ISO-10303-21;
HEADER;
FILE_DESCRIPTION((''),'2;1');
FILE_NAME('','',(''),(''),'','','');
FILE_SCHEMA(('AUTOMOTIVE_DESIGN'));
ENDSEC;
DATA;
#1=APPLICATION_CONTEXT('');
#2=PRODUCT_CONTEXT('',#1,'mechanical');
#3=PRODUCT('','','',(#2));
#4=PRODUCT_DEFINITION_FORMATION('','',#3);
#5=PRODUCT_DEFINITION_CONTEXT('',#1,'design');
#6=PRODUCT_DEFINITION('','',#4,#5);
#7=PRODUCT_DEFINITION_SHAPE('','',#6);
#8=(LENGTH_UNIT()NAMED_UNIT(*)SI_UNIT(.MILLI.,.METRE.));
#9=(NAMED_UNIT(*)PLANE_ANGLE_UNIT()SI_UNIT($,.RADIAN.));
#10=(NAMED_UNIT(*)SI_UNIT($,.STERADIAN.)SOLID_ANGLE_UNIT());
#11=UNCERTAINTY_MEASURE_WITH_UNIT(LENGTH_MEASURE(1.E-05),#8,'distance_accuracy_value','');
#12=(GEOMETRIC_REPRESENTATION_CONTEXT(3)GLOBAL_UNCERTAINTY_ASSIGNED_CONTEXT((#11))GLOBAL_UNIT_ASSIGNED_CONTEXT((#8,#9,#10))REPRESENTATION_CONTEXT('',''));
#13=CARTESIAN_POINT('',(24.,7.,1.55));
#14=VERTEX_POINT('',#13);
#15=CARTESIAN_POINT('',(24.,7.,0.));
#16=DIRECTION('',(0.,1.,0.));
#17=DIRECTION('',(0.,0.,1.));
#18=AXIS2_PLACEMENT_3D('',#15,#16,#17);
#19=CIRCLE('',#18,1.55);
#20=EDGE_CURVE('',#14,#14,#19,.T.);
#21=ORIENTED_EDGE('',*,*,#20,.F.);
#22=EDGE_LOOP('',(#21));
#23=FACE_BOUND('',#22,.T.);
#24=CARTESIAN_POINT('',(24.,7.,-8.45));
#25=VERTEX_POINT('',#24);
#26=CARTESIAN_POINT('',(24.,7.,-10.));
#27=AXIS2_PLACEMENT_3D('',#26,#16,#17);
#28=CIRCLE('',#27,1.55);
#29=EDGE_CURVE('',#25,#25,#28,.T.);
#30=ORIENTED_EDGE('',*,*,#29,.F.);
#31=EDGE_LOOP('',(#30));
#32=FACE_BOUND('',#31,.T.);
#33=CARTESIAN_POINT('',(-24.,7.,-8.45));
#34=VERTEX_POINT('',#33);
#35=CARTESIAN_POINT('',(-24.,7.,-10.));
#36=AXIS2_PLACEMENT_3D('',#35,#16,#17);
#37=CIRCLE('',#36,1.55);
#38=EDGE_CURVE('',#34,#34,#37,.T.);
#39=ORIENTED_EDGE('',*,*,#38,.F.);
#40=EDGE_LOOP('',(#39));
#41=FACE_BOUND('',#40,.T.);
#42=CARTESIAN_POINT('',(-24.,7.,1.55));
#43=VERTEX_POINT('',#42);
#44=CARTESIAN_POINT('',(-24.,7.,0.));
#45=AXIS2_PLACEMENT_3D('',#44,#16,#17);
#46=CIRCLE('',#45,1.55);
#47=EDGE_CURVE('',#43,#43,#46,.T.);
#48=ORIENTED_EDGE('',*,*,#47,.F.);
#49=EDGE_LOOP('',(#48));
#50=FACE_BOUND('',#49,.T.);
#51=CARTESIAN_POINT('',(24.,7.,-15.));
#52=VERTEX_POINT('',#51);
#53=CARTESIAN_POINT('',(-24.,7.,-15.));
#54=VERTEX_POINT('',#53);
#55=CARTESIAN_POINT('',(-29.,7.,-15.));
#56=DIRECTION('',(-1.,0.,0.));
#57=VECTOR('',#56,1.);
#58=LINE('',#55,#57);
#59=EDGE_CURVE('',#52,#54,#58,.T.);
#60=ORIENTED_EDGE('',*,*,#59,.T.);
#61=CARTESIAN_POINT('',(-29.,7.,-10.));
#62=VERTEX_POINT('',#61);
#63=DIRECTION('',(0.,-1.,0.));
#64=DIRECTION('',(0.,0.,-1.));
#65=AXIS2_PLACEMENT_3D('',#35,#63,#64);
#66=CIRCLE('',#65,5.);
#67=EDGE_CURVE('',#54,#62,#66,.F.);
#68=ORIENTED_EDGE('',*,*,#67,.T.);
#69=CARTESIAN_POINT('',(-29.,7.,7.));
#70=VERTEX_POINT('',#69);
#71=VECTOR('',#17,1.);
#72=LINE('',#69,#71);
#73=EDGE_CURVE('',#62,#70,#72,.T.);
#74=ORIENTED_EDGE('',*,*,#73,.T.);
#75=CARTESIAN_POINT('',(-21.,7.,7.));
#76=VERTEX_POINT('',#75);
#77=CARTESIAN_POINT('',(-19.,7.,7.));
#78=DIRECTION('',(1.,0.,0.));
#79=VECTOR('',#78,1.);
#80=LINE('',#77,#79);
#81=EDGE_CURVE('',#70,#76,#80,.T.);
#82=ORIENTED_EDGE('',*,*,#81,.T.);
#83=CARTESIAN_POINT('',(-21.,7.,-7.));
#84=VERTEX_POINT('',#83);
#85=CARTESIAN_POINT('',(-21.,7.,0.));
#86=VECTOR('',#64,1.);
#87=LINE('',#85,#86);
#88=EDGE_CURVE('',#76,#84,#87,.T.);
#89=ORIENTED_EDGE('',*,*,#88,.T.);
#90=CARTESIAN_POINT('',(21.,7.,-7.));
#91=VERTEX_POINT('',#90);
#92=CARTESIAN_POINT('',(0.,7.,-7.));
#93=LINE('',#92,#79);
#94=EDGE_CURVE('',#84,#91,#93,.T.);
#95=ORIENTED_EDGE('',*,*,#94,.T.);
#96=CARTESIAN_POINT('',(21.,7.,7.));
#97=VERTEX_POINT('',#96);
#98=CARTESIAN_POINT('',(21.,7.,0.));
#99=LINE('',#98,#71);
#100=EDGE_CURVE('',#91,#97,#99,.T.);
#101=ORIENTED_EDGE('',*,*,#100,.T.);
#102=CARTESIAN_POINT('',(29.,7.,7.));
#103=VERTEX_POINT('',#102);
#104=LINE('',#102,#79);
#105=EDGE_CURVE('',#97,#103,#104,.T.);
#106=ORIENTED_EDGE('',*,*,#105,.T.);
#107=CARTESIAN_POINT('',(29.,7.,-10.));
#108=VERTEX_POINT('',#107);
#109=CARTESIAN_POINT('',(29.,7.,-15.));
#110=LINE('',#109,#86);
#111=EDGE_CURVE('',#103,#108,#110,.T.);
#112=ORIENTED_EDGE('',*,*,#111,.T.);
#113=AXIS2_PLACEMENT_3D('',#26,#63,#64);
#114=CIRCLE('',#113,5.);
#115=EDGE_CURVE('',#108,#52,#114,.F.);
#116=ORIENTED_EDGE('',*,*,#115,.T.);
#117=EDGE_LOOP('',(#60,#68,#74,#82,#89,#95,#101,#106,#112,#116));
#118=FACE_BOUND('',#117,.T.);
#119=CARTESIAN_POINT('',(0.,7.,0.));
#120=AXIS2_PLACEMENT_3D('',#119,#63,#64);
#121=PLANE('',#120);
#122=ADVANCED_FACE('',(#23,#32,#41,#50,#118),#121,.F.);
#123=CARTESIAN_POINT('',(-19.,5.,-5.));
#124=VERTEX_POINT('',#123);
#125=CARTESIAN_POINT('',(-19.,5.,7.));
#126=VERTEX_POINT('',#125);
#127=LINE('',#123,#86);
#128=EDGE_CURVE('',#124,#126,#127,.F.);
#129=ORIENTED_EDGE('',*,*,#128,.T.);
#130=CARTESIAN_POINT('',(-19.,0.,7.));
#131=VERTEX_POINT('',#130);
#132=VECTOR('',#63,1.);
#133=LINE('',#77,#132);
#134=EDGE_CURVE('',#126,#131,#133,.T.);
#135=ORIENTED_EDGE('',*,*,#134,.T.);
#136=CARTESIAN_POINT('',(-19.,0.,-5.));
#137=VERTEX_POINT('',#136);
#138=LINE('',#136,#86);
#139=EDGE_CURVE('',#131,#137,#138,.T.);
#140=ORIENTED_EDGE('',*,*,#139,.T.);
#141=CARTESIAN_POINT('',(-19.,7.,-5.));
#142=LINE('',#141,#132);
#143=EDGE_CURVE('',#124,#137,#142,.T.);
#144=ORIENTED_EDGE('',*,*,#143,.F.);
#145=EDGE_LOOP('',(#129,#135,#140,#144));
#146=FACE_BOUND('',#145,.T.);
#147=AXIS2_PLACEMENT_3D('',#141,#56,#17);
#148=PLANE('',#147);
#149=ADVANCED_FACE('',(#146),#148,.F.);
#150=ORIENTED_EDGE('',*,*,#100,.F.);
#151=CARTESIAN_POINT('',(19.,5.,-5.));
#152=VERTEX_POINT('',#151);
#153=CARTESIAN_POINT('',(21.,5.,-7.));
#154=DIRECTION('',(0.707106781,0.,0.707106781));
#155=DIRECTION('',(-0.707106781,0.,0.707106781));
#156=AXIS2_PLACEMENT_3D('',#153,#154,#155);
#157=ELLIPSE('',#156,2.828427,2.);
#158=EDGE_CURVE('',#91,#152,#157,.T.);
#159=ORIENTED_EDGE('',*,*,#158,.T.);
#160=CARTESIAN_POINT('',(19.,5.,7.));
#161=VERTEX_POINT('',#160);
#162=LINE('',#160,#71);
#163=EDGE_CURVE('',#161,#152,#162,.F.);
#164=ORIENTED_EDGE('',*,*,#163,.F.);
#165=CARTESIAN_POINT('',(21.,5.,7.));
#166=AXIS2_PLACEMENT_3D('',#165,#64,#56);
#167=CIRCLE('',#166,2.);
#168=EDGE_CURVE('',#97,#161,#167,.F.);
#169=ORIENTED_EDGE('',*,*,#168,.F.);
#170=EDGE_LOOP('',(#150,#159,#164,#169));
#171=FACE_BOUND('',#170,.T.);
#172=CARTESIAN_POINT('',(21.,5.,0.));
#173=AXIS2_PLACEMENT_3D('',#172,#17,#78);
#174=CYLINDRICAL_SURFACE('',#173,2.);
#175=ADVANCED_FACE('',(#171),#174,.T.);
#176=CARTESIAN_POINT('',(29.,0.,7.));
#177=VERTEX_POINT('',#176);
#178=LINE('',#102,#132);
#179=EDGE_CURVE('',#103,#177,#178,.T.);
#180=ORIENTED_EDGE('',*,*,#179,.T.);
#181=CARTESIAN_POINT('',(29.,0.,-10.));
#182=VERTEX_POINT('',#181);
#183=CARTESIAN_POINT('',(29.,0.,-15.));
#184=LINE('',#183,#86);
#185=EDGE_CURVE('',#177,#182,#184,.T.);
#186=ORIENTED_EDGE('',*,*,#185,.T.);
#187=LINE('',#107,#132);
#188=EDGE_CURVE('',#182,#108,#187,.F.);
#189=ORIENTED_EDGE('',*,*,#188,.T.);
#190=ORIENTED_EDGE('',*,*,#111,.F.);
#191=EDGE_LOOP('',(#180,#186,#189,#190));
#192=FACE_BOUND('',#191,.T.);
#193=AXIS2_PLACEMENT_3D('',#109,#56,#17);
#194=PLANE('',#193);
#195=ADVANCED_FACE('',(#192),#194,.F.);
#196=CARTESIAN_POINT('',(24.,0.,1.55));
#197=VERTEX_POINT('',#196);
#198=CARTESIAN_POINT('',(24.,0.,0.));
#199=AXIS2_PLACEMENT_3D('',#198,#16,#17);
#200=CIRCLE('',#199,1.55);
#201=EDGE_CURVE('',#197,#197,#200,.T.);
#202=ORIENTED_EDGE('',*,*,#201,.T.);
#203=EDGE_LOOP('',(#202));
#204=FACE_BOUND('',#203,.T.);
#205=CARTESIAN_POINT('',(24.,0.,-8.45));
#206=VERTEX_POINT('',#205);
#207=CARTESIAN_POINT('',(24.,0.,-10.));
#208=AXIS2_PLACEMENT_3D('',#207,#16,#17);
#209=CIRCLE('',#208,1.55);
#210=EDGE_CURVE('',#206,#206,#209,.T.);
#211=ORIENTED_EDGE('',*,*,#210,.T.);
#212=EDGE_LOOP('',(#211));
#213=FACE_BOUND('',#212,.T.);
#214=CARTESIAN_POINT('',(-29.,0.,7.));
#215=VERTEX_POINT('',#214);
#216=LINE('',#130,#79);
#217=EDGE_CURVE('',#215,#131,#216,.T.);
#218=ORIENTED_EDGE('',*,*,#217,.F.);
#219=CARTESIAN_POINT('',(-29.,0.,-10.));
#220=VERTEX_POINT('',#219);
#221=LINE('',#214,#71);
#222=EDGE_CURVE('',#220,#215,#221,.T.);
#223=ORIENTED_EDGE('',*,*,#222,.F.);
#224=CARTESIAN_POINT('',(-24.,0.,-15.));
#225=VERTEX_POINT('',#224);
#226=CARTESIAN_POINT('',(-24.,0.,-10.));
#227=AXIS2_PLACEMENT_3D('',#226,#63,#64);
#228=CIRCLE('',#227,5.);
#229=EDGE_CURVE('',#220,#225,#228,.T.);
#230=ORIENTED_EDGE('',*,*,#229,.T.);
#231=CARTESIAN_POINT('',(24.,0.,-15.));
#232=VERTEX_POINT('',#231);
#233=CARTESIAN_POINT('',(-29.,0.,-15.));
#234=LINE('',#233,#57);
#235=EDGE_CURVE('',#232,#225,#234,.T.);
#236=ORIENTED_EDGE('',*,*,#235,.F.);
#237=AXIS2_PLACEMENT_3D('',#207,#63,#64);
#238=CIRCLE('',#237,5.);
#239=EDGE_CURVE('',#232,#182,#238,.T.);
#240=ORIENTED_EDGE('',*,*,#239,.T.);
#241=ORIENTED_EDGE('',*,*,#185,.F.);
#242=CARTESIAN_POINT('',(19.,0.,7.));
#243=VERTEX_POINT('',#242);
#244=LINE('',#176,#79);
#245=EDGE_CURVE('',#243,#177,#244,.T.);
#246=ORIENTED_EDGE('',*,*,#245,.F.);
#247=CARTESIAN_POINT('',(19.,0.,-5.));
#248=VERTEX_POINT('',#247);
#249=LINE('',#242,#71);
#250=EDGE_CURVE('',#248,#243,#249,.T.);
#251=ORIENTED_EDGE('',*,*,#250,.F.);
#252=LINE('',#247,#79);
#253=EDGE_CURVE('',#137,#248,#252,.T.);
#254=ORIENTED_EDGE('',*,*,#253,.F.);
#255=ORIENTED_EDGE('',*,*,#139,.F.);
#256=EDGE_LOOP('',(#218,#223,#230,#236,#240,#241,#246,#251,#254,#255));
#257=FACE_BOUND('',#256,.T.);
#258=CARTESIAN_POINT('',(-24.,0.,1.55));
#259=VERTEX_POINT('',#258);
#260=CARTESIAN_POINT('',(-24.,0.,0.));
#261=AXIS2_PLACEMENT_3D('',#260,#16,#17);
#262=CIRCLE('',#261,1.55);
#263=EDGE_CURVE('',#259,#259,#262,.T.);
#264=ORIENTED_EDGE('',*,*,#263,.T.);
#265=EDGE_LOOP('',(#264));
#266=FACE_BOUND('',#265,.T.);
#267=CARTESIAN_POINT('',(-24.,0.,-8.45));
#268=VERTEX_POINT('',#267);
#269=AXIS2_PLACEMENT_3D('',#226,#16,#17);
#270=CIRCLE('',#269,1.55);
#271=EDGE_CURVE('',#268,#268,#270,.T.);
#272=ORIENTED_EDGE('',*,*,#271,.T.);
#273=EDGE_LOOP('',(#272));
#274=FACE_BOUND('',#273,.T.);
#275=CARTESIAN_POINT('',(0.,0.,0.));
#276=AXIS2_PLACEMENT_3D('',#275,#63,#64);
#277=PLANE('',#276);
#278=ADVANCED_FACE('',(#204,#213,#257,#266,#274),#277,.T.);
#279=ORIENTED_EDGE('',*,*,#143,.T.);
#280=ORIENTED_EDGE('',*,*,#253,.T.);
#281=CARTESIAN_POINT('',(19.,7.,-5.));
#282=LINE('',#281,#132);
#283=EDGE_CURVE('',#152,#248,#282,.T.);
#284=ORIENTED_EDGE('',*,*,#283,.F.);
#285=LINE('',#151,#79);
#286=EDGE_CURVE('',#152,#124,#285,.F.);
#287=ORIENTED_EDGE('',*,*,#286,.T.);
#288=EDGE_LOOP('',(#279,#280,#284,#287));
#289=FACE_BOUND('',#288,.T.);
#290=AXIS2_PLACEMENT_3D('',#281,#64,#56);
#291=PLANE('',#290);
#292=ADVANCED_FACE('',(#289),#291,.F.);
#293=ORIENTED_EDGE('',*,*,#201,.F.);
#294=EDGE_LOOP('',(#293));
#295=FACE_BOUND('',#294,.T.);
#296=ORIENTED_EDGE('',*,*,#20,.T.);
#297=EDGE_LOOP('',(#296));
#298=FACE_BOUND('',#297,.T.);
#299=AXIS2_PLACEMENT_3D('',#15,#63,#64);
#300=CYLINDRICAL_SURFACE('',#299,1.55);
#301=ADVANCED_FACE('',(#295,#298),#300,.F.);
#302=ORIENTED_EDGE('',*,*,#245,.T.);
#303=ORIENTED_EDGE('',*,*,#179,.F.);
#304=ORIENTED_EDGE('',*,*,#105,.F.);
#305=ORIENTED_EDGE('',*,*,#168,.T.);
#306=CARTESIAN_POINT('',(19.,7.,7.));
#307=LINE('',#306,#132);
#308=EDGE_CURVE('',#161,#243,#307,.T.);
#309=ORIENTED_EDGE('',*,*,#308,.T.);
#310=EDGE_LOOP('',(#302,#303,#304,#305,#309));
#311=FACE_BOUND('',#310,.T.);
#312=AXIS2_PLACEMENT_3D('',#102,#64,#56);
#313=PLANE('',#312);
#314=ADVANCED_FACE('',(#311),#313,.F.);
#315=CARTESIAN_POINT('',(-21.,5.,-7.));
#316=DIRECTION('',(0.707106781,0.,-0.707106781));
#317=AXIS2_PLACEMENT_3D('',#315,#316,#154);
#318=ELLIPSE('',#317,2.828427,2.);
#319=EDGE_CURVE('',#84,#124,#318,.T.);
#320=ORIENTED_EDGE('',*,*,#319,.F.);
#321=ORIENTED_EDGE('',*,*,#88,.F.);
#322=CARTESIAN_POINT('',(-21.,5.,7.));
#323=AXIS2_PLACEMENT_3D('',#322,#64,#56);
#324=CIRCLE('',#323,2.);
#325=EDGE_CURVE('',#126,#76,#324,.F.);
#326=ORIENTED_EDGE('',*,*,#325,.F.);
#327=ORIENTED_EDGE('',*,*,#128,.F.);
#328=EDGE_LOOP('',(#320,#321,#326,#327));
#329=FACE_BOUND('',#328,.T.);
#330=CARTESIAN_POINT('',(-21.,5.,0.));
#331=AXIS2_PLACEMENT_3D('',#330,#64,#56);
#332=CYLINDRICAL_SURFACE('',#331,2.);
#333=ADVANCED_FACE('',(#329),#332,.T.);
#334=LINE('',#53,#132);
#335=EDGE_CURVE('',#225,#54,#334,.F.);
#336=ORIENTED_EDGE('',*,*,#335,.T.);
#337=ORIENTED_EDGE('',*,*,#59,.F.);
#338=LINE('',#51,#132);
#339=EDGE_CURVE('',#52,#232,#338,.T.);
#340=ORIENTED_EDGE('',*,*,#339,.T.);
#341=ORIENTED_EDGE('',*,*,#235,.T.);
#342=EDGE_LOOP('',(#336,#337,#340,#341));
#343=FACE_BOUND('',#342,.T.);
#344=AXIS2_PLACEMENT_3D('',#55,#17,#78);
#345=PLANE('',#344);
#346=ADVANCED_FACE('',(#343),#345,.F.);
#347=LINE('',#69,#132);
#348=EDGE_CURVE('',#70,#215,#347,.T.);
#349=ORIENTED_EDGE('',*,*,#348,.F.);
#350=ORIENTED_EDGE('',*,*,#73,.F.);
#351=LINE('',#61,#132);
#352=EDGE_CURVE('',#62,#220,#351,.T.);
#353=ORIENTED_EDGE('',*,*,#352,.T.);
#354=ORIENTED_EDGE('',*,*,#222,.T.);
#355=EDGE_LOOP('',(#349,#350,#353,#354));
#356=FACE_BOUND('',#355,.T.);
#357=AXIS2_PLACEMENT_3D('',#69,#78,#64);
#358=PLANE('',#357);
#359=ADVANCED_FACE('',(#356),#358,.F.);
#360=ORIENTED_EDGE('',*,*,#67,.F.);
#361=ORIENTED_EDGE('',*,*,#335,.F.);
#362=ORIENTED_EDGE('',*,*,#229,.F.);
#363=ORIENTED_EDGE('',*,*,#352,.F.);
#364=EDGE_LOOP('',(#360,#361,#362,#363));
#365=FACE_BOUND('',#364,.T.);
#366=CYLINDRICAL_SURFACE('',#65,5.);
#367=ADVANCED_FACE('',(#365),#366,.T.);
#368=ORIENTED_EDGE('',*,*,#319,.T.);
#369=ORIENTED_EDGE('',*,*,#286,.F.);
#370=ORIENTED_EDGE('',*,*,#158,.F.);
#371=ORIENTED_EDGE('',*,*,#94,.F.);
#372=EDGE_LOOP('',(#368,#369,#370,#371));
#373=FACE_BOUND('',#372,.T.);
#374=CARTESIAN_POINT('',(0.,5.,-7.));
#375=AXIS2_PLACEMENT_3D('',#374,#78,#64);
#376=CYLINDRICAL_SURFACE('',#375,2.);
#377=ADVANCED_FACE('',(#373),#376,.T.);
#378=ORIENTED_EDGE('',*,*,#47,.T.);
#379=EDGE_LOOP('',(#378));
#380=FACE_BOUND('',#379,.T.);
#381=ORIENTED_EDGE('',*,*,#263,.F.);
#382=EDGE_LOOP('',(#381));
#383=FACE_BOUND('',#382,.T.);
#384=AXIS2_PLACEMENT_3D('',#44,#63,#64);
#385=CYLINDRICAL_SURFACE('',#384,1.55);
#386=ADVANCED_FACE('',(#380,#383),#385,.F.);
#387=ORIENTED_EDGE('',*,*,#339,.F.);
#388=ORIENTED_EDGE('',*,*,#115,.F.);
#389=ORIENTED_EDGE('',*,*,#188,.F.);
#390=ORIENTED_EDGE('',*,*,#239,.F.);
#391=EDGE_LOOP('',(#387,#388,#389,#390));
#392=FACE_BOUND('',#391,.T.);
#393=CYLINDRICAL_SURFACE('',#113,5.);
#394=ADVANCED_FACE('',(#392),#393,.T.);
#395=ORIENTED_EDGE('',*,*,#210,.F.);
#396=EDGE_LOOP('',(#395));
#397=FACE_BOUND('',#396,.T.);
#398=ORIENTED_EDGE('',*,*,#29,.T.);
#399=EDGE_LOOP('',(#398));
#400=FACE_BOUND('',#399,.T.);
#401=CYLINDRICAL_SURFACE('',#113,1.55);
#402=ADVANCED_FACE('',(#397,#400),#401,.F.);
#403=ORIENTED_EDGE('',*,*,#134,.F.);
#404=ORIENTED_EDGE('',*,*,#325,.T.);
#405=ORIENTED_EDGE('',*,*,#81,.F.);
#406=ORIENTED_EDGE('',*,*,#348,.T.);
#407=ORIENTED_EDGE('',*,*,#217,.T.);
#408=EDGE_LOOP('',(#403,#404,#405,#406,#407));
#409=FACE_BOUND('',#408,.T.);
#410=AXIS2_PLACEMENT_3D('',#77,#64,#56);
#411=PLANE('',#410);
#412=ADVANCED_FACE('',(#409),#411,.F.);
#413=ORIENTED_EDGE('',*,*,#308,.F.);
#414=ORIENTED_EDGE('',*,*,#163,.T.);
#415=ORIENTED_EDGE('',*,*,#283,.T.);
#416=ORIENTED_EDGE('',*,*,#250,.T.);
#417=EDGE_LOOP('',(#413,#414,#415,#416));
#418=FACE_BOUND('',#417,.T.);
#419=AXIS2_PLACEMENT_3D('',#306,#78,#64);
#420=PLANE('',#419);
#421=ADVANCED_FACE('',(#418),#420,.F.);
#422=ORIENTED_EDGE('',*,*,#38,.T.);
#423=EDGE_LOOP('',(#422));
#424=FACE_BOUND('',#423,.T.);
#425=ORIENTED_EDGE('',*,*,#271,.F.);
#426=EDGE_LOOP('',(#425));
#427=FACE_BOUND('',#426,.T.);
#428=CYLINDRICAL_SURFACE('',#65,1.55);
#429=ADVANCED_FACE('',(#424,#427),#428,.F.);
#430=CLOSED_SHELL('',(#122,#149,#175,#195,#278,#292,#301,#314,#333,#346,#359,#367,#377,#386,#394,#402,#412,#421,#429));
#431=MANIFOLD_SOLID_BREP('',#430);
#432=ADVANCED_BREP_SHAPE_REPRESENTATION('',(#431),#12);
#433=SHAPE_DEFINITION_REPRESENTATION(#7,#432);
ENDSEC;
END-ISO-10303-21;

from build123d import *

# Parameters (mm, degrees)
CROQUIS1_R              = 1.55
SALIENTE_EXTRUIR1_DEPTH = 7
REDONDEO2_R             = 2
REDONDEO3_R             = 5


with BuildPart() as part:
    # Croquis1 → Saliente-Extruir1 (new body)
    with BuildSketch(Plane(origin=(0, 0, 0), x_dir=(1, 0, 0), z_dir=(0, 1, 0))):
        Polygon((-29, -7), (-29, 15), (29, 15), (29, -7), (19, -7), (19, 5), (-19, 5), (-19, -7), align=None)
        with Locations(Location((-24, 0, 0), (0, 0, 270))):
            Circle(CROQUIS1_R, mode=Mode.SUBTRACT)
        with Locations(Location((24, 0, 0), (0, 0, 270))):
            Circle(CROQUIS1_R, mode=Mode.SUBTRACT)
        with Locations(Location((-24, 10, 0), (0, 0, 270))):
            Circle(CROQUIS1_R, mode=Mode.SUBTRACT)
        with Locations(Location((24, 10, 0), (0, 0, 270))):
            Circle(CROQUIS1_R, mode=Mode.SUBTRACT)
    extrude(amount=SALIENTE_EXTRUIR1_DEPTH)

    # Redondeo2
    redondeo2_edges = [part.edges().sort_by_distance(p)[0] for p in [
        (0, 7, -5),
        (19, 7, 1),
        (-19, 7, 1),
    ]]
    fillet(redondeo2_edges, radius=REDONDEO2_R)

    # Redondeo3
    redondeo3_edges = [part.edges().sort_by_distance(p)[0] for p in [
        (-29, 3.5, -15),
        (29, 3.5, -15),
    ]]
    fillet(redondeo3_edges, radius=REDONDEO3_R)


solid = part.part
